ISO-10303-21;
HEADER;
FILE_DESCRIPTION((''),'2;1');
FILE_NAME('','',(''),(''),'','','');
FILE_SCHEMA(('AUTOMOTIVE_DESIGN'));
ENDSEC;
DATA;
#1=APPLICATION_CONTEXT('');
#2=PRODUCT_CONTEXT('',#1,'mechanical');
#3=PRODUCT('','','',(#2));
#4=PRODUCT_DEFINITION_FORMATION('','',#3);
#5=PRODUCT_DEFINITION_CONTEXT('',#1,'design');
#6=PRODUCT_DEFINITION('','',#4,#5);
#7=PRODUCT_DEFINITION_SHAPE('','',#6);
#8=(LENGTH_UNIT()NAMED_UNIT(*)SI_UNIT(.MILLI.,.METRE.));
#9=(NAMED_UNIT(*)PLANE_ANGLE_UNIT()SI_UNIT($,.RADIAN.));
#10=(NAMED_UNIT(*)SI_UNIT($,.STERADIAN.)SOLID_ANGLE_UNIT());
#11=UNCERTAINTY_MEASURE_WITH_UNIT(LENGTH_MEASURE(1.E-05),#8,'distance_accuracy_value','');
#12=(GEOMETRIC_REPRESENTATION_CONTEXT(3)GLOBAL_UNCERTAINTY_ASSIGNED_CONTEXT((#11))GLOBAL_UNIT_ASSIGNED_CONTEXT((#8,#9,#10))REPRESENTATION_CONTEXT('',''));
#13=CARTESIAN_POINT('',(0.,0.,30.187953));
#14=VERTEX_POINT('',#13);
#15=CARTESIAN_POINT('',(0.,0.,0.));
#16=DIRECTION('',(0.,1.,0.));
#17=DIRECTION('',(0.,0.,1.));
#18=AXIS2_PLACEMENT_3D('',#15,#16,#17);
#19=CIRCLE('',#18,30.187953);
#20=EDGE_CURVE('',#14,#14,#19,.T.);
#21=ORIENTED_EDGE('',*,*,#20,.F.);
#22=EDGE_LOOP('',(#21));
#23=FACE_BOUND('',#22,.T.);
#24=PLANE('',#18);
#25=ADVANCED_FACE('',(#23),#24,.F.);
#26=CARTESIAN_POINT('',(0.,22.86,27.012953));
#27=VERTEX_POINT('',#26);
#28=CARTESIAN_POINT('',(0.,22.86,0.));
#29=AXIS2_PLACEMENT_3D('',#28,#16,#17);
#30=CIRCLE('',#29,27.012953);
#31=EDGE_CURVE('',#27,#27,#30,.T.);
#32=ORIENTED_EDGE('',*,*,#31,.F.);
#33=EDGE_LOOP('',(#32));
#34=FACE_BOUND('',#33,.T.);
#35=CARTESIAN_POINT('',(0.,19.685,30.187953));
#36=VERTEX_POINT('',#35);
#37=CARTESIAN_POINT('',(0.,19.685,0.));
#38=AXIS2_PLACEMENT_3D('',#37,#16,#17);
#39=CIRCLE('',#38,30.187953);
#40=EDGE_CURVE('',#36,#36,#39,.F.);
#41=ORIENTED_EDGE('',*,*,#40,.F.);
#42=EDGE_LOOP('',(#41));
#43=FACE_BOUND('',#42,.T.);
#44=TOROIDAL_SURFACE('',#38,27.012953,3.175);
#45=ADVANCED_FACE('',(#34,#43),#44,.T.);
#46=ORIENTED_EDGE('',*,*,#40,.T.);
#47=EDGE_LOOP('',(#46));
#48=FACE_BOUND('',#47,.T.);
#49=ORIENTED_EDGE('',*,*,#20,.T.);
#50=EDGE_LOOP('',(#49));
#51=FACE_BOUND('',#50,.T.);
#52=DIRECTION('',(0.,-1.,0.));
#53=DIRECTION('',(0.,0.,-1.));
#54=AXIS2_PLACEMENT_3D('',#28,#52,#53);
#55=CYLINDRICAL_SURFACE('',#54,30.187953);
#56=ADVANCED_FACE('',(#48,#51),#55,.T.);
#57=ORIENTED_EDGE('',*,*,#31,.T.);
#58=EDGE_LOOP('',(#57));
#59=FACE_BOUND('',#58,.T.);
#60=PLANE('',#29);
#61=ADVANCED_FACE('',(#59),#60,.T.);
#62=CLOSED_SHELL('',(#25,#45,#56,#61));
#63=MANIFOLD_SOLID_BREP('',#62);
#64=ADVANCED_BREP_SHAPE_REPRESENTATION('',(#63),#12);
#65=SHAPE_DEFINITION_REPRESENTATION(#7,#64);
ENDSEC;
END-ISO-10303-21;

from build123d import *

# Parameters (mm, degrees)
SKETCH1_R      = 30.187952918
EXTRUDE1_DEPTH = 22.86
FILLET2_R      = 3.175


with BuildPart() as part:
    # Sketch1 → Extrude1 (new body)
    with BuildSketch(Plane(origin=(0, 0, 0), x_dir=(1, 0, 0), z_dir=(0, 1, 0))):
        with Locations(Location((0, 0, 0), (0, 0, 270))):  # turned: the seam where the file's is
            Circle(SKETCH1_R)
    extrude(amount=EXTRUDE1_DEPTH)

    # Fillet2
    fillet2_edges = [part.edges().sort_by_distance(p)[0] for p in [
        (0, 22.86, -30.187952918),
    ]]
    fillet(fillet2_edges, radius=FILLET2_R)


solid = part.part
